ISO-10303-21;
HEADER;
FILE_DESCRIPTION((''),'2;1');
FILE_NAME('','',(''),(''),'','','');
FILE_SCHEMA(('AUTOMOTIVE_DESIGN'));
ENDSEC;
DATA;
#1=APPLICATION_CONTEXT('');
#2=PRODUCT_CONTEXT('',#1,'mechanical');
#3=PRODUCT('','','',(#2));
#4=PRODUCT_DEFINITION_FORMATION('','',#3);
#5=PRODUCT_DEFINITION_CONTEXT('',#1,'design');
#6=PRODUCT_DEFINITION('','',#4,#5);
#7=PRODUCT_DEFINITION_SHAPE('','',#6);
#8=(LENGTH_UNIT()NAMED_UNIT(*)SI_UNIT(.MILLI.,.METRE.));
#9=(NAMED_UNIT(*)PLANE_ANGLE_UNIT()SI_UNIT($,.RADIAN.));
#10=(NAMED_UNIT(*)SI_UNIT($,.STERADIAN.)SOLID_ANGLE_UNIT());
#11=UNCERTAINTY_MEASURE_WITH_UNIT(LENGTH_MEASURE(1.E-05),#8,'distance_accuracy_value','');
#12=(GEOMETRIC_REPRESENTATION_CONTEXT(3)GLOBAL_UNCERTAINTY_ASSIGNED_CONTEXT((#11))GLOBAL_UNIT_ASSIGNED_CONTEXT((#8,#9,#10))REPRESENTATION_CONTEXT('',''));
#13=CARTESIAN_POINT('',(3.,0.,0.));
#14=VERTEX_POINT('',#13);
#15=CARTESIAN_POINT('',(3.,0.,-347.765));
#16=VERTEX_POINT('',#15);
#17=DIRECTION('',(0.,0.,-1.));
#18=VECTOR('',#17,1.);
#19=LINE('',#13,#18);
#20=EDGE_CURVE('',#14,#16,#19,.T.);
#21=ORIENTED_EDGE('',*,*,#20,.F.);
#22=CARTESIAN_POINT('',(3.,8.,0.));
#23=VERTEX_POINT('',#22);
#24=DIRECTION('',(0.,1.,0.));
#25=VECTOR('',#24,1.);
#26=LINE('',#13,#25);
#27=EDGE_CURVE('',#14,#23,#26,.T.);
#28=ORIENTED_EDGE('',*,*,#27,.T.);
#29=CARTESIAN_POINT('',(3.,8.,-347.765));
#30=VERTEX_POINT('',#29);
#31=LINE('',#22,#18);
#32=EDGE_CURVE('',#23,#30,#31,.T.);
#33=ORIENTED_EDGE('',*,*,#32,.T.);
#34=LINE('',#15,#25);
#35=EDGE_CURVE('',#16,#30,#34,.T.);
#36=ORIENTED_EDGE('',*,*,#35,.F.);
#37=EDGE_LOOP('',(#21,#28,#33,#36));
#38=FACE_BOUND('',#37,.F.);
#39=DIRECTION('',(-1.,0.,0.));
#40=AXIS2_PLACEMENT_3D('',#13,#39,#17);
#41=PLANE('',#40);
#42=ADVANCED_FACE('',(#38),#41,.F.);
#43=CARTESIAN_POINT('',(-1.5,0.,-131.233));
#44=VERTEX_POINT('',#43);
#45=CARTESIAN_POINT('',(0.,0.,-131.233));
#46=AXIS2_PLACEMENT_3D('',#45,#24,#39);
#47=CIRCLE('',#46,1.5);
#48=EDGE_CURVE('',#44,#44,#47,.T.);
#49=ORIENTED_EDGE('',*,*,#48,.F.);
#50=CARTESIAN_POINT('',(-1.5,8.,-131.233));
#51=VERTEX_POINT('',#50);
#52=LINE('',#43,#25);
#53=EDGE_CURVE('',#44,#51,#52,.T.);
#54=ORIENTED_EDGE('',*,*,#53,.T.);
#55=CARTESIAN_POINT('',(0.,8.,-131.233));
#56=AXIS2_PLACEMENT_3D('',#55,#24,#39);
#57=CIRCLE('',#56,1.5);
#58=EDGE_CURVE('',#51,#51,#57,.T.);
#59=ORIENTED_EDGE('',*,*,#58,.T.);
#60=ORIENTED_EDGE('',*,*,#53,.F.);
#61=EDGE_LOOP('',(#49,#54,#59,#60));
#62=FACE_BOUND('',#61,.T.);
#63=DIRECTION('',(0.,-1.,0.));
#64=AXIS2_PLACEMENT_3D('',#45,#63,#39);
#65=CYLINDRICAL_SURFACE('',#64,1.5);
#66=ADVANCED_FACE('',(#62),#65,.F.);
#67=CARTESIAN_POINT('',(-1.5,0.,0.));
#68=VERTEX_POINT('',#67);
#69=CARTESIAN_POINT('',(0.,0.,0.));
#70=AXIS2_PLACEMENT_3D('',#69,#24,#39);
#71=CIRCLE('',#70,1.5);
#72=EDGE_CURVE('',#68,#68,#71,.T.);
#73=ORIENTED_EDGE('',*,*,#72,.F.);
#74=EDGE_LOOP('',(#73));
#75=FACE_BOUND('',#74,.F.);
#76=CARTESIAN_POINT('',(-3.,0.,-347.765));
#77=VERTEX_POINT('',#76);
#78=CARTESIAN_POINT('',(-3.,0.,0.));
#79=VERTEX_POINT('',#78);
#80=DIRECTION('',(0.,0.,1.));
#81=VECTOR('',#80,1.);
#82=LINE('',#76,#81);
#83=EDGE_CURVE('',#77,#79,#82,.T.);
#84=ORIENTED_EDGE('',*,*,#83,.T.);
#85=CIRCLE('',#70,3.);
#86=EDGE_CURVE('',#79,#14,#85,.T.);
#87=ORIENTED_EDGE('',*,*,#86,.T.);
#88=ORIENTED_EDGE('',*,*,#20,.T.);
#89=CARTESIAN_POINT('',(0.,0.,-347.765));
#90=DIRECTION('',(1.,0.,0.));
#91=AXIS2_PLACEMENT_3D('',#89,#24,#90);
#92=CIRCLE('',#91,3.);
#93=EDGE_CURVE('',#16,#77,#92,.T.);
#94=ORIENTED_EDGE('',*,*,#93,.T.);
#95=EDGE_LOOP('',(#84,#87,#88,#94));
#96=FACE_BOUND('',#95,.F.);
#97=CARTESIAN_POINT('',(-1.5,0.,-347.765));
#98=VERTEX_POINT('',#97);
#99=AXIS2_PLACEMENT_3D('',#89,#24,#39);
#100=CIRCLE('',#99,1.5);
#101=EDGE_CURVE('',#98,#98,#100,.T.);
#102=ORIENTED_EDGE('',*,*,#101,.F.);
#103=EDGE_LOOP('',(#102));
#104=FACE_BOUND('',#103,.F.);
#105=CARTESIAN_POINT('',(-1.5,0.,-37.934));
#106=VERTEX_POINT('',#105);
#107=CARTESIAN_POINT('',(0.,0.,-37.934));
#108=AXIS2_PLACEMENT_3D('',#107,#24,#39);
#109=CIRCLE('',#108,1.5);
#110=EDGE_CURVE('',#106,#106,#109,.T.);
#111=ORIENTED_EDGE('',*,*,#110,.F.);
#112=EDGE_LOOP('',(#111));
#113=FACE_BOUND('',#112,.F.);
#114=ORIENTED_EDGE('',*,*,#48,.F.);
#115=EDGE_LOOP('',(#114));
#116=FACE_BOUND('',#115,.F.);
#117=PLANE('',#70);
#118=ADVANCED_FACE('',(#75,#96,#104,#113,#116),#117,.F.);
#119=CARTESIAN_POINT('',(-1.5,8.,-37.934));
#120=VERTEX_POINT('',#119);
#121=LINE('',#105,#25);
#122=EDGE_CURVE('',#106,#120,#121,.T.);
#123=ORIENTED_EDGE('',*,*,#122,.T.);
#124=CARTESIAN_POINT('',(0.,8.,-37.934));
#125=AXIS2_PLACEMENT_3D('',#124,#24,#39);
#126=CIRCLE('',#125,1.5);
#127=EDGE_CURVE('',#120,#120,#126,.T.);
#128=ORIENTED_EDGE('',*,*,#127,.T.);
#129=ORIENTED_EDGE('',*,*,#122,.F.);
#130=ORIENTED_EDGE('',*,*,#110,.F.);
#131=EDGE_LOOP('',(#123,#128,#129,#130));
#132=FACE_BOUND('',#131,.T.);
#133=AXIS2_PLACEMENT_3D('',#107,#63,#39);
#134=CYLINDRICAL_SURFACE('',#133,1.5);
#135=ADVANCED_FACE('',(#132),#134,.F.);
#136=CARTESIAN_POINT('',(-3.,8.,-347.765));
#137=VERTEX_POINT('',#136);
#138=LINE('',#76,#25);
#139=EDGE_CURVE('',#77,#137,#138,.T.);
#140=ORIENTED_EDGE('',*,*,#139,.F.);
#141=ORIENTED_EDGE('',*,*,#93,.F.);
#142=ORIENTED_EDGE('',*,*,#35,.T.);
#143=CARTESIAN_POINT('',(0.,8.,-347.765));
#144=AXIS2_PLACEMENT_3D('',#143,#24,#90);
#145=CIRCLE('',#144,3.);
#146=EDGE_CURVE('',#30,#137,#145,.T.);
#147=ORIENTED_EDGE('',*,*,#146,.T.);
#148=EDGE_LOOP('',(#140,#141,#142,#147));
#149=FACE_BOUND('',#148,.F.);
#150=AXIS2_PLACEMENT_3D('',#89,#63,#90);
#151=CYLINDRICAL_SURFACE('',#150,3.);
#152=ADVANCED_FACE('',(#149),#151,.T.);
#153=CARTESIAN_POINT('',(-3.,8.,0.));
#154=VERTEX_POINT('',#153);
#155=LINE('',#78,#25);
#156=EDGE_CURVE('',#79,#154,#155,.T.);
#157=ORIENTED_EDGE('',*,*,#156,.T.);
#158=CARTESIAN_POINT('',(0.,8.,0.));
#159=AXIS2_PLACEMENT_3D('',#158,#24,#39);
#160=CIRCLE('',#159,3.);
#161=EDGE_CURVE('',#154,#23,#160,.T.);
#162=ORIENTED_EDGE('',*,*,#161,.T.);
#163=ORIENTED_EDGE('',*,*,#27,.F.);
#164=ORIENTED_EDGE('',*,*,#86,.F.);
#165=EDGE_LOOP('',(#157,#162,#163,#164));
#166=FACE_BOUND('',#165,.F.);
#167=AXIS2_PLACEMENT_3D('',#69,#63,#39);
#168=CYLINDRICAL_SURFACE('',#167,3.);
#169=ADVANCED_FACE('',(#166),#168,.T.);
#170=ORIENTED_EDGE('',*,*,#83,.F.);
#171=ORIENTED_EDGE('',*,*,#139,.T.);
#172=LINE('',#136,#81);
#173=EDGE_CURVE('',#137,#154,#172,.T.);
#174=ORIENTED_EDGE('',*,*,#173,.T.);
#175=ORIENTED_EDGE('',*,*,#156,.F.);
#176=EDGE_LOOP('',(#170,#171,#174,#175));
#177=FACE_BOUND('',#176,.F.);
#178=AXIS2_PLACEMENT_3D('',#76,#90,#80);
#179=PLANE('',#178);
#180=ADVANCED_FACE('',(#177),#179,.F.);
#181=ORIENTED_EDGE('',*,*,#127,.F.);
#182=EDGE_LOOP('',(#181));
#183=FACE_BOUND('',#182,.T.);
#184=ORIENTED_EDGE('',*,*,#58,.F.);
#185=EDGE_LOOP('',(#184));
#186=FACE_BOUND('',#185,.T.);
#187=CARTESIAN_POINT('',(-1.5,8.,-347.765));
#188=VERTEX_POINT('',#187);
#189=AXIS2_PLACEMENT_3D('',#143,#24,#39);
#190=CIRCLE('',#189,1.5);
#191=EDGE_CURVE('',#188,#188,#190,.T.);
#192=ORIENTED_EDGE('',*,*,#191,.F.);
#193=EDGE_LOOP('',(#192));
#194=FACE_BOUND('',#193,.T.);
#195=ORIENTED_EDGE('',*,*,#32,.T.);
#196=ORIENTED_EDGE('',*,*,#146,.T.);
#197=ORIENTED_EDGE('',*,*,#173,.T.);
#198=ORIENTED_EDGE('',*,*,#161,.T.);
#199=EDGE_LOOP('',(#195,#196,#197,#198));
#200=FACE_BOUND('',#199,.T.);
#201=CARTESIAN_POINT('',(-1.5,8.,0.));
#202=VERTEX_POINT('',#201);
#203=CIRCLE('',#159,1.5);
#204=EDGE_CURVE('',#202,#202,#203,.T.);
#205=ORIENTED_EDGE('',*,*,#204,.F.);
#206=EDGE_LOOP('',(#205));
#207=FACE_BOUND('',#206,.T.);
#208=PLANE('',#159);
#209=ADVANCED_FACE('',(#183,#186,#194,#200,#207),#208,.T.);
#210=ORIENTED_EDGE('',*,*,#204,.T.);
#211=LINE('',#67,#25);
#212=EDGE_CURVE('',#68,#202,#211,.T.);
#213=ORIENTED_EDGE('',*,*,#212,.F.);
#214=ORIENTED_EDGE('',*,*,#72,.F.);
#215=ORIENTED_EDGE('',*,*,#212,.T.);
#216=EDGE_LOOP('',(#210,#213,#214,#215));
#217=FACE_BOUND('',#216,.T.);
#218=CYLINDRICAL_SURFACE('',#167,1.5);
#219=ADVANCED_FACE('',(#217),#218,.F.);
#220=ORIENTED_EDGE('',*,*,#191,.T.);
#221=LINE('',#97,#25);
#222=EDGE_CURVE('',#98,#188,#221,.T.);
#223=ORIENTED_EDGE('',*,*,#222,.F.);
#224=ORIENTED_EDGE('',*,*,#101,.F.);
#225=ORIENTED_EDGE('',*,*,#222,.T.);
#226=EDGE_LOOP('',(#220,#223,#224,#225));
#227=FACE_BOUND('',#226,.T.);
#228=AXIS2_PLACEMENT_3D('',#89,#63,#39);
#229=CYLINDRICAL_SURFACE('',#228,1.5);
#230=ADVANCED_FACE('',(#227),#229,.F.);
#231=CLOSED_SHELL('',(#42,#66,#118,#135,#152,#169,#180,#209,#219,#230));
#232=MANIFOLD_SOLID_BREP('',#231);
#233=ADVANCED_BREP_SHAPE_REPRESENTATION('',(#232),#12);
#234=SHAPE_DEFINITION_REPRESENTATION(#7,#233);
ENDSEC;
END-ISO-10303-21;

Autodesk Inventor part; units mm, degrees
ref_plane "YZ Plane" through (0, 0, 0) normal (1, 0, 0) x (0, 1, 0)
ref_plane "XZ Plane" through (0, 0, 0) normal (0, 1, 0) x (-1, 0, 0)
ref_plane "XY Plane" through (0, 0, 0) normal (0, 0, 1) x (1, 0, 0)
sketch "Sketch1" plane through (0, 0, 0) normal (0, 1, 0) x (-1, 0, 0)
  line L0 (0, 0) -> (0, -347.765) construction
  line L1 (-3, 0) -> (-3, -347.765)
  line L2 (3, -347.765) -> (3, 0)
  arc A0 (3, 0) -> (-3, 0) centre (0, 0) ccw
  arc A1 (-3, -347.765) -> (3, -347.765) centre (0, -347.765) ccw
  circle A2 centre (0, 0) radius 1.5
  circle A3 centre (0, -347.765) radius 1.5
  circle A4 centre (0, -131.233) radius 1.5
  circle A5 centre (0, -37.934) radius 1.5
  point P0 (0, -173.8825)
  dimension "d0" = 347.765
  dimension "d1" = 6
  dimension "d2" = 3
  dimension "d3" = 3
  dimension "d6" = 3
  dimension "d7" = 131.233
  dimension "d8" = 3
  dimension "d9" = 37.934
extrude "Extrusion1" add sketch "Sketch1" along normal blind 8
sketch "Sketch2" plane through (0, 8, 0) normal (0, 1, 0) x (1, 0, 0)
  arc A0 (3, 347.765) -> (-3, 347.765) centre (0, 347.765) ccw projected
  line L0 (-3, 347.765) -> (-3, 0) projected
  arc A1 (-3, 0) -> (3, 0) centre (0, 0) ccw projected
  line L1 (3, 0) -> (3, 347.765) projected
  circle A2 centre (0, 131.233) radius 1.5 projected
  circle A3 centre (0, 37.934) radius 1.5 projected
  circle A4 centre (0, 347.765) radius 1.5 projected
  circle A5 centre (0, 0) radius 1.5 projected
